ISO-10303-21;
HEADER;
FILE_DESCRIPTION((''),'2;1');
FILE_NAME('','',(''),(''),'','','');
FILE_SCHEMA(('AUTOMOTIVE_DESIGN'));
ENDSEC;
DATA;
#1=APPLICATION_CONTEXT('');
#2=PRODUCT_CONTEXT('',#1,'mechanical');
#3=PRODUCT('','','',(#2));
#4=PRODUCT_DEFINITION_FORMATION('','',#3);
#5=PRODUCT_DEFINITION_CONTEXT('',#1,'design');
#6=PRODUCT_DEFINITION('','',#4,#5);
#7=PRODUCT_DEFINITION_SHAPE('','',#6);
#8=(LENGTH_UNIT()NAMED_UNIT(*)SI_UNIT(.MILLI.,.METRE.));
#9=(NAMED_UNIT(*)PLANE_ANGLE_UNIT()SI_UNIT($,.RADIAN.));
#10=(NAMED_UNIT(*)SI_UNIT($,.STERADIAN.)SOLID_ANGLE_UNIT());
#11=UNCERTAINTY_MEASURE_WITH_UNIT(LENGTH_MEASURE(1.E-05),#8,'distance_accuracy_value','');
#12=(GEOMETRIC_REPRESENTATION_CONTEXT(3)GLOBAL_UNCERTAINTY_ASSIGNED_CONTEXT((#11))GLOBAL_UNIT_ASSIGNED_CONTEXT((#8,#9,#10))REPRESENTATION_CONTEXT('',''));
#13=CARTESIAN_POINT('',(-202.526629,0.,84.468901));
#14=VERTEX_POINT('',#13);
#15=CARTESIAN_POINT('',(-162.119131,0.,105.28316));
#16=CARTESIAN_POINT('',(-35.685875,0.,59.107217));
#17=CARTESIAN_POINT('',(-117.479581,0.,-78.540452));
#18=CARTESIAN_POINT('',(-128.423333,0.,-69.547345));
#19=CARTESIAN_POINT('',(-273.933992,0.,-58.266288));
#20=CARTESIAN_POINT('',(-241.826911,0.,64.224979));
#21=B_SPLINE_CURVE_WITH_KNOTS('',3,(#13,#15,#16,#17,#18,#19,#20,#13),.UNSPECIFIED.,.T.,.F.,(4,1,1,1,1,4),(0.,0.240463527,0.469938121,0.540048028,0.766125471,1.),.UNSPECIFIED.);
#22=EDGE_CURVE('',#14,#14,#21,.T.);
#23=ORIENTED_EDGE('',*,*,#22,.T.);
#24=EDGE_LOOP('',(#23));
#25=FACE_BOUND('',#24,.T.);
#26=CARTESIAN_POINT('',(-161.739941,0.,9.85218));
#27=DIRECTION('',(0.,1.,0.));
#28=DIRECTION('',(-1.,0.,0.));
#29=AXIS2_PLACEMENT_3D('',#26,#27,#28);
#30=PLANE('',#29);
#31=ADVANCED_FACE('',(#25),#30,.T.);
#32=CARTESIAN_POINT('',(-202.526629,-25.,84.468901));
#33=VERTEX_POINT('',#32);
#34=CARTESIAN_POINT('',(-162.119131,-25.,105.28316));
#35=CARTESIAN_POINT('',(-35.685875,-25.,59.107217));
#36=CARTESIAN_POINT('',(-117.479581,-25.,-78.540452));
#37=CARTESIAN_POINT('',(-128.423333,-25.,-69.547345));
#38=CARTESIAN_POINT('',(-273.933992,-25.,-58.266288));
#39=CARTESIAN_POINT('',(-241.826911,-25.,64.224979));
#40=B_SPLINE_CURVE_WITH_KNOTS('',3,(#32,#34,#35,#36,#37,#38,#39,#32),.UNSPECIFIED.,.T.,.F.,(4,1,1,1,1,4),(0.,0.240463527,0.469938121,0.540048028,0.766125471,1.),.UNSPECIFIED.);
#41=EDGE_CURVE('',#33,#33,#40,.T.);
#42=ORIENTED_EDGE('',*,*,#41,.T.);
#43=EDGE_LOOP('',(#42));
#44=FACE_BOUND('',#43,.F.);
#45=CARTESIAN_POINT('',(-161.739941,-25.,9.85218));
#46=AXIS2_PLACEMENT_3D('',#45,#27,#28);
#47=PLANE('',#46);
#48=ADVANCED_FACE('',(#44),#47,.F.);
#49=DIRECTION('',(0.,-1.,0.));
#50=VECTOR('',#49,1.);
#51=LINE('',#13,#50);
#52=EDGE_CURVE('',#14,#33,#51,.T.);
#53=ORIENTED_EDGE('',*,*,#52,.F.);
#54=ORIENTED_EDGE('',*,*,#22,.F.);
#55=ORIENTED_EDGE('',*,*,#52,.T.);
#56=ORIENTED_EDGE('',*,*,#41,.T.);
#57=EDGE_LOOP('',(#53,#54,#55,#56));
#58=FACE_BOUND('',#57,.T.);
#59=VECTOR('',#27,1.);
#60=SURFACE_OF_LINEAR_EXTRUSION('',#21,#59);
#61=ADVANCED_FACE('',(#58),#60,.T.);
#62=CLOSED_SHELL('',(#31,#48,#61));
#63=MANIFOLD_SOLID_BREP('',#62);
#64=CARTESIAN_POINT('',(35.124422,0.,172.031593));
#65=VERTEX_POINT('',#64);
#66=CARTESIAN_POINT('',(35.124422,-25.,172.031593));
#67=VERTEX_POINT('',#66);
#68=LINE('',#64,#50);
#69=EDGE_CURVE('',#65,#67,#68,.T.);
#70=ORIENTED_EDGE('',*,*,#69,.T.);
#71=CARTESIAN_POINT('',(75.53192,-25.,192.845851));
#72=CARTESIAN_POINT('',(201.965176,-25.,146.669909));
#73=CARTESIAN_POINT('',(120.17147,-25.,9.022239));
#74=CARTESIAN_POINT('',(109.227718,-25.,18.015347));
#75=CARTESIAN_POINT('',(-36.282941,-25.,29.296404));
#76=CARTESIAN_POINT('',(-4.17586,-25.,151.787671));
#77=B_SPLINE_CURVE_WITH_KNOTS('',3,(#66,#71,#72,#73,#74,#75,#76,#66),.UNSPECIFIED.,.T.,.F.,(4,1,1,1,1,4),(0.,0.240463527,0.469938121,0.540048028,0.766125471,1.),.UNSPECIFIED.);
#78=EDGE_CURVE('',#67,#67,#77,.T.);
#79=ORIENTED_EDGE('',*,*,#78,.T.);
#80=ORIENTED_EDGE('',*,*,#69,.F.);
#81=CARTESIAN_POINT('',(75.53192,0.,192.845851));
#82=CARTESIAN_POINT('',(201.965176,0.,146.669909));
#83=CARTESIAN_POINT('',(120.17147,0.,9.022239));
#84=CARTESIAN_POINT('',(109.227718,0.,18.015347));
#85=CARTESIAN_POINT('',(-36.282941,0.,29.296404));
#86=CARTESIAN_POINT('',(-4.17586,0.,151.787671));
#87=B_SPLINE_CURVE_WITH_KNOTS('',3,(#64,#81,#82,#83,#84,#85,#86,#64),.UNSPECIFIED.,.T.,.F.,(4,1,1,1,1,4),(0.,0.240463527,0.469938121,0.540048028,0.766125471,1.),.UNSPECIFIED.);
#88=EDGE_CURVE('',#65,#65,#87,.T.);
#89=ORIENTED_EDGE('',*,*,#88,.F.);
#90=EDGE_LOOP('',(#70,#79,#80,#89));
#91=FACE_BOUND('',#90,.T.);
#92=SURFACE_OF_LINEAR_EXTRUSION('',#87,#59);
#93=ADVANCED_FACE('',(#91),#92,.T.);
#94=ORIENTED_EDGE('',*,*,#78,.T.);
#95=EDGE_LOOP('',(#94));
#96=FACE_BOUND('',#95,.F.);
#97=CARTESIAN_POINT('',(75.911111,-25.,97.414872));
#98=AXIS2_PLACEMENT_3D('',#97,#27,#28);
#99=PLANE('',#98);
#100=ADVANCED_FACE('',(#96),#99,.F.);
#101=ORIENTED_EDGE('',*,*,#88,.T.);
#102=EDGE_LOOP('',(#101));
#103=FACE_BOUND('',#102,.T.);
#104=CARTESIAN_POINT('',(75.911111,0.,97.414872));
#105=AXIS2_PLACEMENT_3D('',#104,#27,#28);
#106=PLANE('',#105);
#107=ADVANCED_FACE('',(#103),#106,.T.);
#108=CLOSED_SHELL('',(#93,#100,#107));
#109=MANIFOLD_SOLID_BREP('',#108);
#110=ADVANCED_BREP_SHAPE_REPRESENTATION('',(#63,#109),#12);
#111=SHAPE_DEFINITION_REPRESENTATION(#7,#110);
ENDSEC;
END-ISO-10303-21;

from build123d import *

# Parameters (mm, degrees)
F1_DEPTH = 25


with BuildPart() as f1:
    # F0 (on Front) → F1 (new body)
    with BuildSketch(Plane.XZ):
        with BuildLine():
            add(Edge.make_bspline(
                [(-202.5266289711, 84.4689011574), (-162.1191314882, 105.2831596917), (-35.6858747807, 59.1072170625), (-117.4795810413, -78.5404523951), (-128.4233330832, -69.5473446594), (-273.933992398, -58.2662880176), (-241.8269110967, 64.2249790244), (-202.5266289711, 84.4689011574)],
                knots=[0, 0, 0, 0, 0.2404635271, 0.4699381211, 0.5400480275, 0.7661254706, 1, 1, 1, 1], degree=3))
        make_face()
    extrude(amount=F1_DEPTH)


with BuildPart() as f1b:
    # F0 (on Front) → F1, piece 2 (new body)
    with BuildSketch(Plane.XZ):
        with BuildLine():
            add(Edge.make_bspline(
                [(35.1244221584, 172.0315928679), (75.5319196413, 192.8458514022), (201.9651763489, 146.669908773), (120.1714700882, 9.0222393154), (109.2277180463, 18.0153470511), (-36.2829412685, 29.2964036929), (-4.1758599672, 151.7876707349), (35.1244221584, 172.0315928679)],
                knots=[0, 0, 0, 0, 0.2404635271, 0.4699381211, 0.5400480275, 0.7661254706, 1, 1, 1, 1], degree=3))
        make_face()
    extrude(amount=F1_DEPTH)


solid = Compound([f1.part, f1b.part])
